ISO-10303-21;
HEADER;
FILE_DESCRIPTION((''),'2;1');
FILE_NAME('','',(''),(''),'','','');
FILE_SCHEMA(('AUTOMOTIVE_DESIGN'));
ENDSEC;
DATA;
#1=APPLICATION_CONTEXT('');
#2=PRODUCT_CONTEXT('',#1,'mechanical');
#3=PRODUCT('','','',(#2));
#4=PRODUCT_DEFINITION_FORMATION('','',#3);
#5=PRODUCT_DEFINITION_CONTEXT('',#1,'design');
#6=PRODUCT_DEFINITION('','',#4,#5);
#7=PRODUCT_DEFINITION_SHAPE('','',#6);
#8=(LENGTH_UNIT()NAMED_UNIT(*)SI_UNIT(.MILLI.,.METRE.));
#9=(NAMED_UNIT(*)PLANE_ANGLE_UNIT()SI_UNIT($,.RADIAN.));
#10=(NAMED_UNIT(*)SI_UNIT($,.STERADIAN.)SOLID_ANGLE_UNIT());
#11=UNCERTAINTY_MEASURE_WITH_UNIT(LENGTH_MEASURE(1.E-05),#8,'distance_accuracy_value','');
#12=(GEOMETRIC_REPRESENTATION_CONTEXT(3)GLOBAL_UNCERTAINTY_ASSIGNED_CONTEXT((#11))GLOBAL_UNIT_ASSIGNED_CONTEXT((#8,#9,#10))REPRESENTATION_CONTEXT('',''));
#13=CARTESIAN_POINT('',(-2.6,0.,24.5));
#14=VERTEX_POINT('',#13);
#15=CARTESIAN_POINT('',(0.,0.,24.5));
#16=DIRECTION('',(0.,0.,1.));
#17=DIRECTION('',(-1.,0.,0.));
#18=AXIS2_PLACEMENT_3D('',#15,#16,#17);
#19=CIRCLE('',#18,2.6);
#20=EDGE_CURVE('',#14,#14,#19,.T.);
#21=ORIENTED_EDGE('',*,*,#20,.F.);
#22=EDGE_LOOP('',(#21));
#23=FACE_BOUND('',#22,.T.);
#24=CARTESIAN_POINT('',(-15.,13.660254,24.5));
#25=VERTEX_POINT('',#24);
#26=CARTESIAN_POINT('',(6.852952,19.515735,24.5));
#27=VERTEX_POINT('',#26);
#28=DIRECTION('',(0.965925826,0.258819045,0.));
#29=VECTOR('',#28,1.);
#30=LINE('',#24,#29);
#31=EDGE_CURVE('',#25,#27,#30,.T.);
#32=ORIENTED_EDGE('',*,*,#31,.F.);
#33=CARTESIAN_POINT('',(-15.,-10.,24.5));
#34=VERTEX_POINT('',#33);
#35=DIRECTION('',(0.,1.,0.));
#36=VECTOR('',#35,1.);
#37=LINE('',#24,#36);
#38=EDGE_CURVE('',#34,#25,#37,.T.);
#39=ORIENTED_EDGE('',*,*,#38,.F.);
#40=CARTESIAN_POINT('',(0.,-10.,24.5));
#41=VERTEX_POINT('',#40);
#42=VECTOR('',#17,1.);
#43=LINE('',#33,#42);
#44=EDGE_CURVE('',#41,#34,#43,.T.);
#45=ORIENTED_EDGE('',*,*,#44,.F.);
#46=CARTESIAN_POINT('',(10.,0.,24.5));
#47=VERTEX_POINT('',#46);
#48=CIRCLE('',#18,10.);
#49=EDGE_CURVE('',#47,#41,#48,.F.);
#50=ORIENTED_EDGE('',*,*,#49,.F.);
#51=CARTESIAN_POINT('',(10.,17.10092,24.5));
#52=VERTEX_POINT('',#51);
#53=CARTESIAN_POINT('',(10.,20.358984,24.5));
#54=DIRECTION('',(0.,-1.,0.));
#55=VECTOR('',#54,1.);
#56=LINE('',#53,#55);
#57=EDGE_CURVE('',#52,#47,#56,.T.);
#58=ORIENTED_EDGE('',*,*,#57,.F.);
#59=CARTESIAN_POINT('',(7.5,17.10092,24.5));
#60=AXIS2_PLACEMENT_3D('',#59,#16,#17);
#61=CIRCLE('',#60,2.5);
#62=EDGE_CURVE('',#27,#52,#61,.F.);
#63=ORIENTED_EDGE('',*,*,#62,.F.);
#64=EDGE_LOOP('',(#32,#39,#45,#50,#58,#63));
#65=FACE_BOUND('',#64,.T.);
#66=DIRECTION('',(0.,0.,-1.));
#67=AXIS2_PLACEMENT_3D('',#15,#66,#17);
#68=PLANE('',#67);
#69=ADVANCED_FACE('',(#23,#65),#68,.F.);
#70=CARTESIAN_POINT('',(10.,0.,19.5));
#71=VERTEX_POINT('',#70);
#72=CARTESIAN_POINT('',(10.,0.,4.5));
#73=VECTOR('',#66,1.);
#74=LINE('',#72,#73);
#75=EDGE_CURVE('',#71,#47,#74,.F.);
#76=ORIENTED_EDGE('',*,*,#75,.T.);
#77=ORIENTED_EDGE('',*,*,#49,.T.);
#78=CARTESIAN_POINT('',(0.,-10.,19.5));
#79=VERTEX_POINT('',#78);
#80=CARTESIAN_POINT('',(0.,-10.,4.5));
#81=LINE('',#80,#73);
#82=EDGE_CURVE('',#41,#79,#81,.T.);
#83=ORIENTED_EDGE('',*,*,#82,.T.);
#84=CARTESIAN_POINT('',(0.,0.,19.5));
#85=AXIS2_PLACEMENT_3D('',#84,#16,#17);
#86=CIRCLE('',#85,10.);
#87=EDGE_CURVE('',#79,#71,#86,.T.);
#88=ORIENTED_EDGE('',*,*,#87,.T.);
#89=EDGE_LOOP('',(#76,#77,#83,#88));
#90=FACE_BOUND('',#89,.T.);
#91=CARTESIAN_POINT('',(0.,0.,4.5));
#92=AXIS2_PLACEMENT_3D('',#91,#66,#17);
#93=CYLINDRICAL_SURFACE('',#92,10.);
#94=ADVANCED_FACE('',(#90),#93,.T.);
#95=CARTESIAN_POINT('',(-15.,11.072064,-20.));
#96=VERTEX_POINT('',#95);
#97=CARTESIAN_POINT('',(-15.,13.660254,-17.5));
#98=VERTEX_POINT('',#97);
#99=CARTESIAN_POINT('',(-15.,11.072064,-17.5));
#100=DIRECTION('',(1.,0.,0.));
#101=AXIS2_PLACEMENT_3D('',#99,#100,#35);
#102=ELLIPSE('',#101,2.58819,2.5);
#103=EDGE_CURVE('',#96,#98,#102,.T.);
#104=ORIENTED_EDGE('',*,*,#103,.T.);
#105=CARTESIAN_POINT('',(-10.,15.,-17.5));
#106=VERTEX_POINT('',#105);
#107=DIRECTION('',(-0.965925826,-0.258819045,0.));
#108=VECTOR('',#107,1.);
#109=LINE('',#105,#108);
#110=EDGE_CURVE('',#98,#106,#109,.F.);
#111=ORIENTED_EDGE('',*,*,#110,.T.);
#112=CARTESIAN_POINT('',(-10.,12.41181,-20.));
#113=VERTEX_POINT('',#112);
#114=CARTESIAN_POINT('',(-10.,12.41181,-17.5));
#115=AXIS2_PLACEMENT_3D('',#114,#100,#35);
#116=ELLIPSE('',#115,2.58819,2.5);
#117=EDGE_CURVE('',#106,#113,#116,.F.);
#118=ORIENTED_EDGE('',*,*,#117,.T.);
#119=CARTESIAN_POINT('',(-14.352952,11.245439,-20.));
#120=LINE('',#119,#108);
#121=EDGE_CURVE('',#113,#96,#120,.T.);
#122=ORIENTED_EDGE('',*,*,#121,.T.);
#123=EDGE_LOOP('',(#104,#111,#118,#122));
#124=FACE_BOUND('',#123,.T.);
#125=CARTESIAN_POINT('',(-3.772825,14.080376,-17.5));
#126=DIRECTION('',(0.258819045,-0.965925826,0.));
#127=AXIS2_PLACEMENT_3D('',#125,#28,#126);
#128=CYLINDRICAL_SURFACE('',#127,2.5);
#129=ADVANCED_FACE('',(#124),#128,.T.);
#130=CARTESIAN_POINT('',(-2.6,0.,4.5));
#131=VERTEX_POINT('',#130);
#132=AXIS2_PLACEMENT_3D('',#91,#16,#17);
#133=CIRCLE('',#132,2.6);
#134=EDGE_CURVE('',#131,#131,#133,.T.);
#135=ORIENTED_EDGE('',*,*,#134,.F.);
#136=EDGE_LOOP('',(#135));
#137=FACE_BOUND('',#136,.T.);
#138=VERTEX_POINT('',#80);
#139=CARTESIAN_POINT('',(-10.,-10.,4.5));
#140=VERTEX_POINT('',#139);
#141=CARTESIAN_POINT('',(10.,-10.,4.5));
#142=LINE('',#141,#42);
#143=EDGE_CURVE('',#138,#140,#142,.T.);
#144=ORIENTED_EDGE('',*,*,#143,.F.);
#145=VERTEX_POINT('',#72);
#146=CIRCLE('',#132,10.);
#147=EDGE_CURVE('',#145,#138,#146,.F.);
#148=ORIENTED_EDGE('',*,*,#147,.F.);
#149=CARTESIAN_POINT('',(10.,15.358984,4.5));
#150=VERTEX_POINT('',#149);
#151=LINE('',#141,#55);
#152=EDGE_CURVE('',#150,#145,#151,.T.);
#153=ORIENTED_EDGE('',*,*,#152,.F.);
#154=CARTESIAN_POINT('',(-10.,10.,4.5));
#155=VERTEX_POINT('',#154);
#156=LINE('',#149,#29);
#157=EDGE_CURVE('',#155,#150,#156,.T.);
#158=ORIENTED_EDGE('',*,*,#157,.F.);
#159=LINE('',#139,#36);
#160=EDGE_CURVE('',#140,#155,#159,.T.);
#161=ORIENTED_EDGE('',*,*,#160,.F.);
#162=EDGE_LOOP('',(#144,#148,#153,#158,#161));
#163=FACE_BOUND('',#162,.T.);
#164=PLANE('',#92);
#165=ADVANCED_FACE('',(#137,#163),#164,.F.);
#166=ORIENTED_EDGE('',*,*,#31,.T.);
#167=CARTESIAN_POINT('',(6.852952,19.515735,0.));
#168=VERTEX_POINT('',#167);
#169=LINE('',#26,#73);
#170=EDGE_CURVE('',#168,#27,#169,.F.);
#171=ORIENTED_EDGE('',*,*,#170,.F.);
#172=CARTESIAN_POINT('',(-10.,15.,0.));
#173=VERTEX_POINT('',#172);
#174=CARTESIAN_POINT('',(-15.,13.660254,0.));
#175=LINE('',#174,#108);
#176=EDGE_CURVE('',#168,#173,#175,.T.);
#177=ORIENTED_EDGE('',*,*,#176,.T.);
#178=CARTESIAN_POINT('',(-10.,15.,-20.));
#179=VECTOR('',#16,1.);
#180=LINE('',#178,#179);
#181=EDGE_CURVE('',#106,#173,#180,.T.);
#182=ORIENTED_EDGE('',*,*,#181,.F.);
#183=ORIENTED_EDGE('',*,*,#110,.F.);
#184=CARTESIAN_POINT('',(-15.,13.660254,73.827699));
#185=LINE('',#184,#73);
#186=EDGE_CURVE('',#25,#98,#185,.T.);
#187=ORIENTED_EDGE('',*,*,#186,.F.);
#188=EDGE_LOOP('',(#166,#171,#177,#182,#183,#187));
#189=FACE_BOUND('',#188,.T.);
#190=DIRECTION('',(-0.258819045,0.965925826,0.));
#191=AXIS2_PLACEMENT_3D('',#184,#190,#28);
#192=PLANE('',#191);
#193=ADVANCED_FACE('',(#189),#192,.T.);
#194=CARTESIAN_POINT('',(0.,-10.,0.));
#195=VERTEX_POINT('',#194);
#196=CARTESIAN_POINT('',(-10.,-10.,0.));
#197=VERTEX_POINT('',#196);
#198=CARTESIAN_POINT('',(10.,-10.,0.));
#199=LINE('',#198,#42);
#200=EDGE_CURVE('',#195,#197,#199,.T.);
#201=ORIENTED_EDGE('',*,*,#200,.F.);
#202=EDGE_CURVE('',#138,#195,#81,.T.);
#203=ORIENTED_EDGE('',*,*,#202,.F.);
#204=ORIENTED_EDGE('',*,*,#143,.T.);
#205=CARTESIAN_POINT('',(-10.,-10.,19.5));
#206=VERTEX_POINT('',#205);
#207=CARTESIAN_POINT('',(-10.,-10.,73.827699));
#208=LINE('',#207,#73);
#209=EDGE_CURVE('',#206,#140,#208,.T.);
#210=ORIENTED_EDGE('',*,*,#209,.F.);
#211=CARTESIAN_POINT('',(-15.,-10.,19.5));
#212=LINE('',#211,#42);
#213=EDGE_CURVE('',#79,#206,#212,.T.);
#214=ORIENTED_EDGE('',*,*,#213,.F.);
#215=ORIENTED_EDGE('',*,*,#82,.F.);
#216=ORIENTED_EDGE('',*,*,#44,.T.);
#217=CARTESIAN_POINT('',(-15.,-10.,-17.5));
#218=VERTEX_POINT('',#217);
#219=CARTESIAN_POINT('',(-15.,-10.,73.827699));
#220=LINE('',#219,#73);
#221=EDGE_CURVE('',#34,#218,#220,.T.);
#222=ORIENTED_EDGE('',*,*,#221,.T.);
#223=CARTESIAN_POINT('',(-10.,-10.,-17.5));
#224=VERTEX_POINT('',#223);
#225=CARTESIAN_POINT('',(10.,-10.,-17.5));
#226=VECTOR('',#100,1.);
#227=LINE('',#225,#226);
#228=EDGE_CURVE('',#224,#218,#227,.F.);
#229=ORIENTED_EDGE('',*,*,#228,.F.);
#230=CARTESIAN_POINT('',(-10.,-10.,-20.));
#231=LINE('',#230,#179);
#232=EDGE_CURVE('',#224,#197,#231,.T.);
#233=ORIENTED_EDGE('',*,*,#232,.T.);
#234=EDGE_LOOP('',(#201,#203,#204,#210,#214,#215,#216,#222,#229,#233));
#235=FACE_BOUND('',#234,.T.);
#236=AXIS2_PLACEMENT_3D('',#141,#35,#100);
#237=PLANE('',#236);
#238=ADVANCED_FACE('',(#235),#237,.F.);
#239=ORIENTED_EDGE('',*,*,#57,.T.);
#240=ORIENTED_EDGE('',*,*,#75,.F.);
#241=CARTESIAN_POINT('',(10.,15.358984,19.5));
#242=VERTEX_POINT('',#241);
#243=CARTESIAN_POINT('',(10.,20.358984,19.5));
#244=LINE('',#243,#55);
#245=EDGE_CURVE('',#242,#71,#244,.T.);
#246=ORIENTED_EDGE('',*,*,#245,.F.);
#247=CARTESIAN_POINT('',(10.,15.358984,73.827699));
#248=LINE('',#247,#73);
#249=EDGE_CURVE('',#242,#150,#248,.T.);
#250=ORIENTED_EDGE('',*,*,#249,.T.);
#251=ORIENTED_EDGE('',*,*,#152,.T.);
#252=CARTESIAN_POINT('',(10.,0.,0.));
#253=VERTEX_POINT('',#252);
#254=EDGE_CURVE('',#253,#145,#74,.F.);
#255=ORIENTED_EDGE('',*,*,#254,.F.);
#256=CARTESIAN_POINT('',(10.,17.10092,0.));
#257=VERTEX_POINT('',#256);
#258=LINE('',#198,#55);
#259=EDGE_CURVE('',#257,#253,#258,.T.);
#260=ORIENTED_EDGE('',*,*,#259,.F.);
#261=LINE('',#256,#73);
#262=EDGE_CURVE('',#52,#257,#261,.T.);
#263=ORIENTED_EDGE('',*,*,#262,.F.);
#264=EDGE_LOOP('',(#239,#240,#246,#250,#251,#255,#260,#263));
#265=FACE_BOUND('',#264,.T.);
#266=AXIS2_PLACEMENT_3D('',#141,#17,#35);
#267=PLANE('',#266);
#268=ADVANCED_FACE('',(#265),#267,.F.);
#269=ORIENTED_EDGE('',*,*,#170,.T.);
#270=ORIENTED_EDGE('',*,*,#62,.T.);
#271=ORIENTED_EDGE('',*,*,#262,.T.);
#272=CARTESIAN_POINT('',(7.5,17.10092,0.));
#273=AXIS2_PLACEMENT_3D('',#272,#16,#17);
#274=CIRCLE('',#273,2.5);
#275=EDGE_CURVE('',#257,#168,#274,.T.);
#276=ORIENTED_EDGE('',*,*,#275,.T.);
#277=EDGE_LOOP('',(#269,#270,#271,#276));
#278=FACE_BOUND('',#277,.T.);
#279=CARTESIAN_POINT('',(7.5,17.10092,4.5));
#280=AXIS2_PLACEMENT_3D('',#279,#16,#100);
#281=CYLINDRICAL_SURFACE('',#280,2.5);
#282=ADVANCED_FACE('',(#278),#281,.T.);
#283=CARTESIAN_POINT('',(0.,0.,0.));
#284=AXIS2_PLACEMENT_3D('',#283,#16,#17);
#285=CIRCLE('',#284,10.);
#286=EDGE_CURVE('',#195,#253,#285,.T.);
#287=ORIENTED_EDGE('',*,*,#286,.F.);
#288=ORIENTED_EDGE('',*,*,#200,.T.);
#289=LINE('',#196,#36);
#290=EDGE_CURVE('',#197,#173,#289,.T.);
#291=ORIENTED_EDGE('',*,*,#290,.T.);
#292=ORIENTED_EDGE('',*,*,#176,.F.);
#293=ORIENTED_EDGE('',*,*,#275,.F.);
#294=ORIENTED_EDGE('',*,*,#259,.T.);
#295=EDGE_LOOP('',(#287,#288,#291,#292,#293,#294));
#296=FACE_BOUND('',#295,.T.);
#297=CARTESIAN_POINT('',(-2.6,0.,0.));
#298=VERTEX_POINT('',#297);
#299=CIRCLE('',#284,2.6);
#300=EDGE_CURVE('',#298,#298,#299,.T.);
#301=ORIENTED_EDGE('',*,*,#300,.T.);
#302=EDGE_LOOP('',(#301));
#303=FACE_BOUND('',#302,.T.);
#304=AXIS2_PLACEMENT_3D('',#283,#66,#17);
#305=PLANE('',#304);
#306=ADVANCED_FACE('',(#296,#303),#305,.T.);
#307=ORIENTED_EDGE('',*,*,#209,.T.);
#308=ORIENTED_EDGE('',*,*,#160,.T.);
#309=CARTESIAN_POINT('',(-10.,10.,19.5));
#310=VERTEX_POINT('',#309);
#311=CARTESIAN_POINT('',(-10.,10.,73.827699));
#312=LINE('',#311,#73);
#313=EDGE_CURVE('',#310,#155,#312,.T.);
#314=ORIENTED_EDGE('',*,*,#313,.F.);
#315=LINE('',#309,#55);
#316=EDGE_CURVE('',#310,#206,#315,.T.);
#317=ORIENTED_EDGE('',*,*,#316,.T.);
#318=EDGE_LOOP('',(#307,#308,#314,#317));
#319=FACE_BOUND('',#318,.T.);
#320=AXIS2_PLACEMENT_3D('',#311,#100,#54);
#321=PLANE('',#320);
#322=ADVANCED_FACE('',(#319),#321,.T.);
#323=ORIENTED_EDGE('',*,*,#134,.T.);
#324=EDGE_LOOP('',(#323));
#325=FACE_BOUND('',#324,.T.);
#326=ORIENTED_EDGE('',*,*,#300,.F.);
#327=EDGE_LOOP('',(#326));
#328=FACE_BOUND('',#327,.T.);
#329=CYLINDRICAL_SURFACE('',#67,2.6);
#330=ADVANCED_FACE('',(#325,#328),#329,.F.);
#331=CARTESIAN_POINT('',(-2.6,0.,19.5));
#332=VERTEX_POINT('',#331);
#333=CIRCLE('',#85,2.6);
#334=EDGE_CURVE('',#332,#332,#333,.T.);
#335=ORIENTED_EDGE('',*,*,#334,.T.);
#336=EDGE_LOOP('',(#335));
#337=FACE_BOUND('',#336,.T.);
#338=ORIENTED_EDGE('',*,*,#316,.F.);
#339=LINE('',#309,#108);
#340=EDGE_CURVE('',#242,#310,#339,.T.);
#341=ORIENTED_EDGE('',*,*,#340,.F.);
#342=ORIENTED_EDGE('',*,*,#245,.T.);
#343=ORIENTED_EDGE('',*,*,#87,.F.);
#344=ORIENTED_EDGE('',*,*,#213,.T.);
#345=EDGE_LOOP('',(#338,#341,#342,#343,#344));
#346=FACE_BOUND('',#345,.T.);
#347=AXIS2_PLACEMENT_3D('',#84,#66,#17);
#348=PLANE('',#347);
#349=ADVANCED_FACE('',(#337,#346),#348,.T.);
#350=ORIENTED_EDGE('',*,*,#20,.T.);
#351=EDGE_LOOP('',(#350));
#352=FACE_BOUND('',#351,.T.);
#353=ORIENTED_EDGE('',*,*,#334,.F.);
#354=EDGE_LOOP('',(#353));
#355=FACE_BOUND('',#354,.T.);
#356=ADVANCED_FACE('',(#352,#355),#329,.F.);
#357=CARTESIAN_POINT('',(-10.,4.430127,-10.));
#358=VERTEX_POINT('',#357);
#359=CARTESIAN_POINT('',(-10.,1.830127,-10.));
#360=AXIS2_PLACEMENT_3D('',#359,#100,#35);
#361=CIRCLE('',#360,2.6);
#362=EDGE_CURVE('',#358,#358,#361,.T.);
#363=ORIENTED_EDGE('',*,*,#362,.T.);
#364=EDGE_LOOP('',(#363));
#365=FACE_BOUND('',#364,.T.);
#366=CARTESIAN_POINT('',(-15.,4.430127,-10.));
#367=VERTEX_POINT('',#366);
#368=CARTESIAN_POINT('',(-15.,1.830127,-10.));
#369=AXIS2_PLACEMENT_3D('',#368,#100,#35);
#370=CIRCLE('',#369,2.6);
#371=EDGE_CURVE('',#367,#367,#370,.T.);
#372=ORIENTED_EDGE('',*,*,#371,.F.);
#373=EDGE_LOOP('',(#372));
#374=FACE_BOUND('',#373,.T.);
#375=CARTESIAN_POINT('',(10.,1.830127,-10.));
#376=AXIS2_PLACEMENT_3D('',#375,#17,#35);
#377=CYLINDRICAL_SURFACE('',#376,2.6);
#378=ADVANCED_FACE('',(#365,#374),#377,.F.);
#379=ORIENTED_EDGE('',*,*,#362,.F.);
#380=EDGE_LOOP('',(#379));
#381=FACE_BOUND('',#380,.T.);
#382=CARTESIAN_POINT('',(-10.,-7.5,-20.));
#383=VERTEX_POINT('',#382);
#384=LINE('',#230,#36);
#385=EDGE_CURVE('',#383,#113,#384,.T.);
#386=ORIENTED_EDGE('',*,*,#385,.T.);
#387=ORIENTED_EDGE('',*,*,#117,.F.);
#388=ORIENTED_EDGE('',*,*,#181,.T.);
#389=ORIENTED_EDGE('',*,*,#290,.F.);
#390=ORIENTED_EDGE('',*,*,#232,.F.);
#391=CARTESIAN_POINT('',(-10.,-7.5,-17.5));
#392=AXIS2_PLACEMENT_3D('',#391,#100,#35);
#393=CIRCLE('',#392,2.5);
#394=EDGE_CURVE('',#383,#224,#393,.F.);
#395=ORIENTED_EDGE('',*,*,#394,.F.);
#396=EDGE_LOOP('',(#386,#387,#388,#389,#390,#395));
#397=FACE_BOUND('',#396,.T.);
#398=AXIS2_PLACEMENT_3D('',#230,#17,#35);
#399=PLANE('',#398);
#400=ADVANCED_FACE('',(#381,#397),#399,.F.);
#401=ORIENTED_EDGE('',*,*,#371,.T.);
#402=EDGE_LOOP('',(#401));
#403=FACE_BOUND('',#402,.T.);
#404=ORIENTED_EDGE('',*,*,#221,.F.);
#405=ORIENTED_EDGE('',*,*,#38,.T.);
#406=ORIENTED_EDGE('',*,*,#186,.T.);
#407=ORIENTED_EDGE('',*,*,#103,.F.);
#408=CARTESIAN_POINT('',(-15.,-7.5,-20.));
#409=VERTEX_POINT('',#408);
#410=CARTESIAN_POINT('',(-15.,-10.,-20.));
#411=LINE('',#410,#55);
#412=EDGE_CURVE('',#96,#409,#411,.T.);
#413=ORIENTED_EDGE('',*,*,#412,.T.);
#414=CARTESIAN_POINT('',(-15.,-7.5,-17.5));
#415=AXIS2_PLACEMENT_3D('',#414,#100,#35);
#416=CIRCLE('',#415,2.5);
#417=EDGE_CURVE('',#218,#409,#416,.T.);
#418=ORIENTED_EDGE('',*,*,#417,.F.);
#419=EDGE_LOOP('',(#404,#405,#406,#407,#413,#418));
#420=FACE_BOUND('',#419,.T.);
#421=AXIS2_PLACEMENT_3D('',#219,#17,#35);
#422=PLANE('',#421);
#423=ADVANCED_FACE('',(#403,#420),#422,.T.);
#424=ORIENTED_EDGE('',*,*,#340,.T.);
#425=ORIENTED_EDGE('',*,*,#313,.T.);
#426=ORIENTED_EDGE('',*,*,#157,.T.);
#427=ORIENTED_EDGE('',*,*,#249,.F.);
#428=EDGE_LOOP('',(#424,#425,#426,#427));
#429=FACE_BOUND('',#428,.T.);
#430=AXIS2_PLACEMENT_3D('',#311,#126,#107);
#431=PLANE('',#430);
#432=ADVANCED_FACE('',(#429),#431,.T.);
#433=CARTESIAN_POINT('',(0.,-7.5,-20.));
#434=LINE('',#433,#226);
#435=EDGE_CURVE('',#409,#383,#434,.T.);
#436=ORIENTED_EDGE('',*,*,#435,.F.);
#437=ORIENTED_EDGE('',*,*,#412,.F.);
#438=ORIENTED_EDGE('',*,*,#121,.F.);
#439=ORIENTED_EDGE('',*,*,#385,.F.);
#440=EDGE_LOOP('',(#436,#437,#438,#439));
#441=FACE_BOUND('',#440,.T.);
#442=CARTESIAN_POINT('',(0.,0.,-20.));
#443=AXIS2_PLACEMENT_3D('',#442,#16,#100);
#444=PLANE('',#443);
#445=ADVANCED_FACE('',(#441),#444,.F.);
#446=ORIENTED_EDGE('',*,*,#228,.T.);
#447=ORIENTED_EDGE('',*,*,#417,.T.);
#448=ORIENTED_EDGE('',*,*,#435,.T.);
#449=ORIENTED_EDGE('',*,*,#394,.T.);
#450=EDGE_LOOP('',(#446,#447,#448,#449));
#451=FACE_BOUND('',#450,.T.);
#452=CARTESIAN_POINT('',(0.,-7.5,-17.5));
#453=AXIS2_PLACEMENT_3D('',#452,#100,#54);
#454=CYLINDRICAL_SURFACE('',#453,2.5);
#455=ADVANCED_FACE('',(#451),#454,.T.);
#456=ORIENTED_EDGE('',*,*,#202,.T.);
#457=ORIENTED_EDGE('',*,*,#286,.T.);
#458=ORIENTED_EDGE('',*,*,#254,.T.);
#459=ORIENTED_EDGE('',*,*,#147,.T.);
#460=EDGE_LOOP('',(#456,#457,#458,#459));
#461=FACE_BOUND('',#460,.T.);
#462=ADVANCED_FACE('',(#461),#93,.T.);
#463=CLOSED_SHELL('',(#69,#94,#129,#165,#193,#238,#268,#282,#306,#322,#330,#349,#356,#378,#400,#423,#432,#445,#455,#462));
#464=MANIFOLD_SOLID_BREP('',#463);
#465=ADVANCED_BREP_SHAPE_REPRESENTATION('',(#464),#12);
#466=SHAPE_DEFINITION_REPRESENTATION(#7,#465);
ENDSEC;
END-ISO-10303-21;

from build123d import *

# Parameters (mm, degrees)
EXTRUDE_1_DEPTH     = 4.5
EXTRUDE_5_DEPTH     = 19.5
EXTRUDE_6_DEPTH     = 20
EXTRUDE_7_DEPTH     = 5
SKETCH_6_R          = 2.6
CUT_EXTRUDE_1_DEPTH = 36.209916548
SKETCH_13_R         = 2.6
CUT_EXTRUDE_2_DEPTH = 41.493681277
FILLET_1_R          = 2.5
FILLET_2_R          = 10


with BuildPart() as part:
    # Эскиз1 → Бобышка-Вытянуть1 (new body)
    with BuildSketch(Plane.XY):
        Polygon((10, 10), (-10, 10), (-10, -10), (10, -15.358983849), align=None)
    extrude(amount=EXTRUDE_1_DEPTH)

    # Эскиз10 → Бобышка-Вытянуть5 (add)
    with BuildSketch(Plane(origin=(0, 0, 0), x_dir=(-1, 0, 0), z_dir=(0, 0, -1))):
        Polygon((15, 10), (15, -13.660254038), (-10, -20.358983849), (-10, -15.358983849), (10, -10), (10, 10), align=None)
    extrude(amount=-EXTRUDE_5_DEPTH)

    # Эскиз11 → Бобышка-Вытянуть6 (add)
    with BuildSketch(Plane(origin=(0, 0, 0), x_dir=(-1, 0, 0), z_dir=(0, 0, -1))):
        Polygon((15, 10), (10, 10), (10, -15), (15, -13.660254038), align=None)
    extrude(amount=EXTRUDE_6_DEPTH)

    # Эскиз12 → Бобышка-Вытянуть7 (add)
    with BuildSketch(Plane.XY.offset(19.5)):
        Polygon((-15, -13.660254038), (10, -20.358983849), (10, 10), (-15, 10), align=None)
    extrude(amount=EXTRUDE_7_DEPTH)

    # Эскиз6 → Вырез-Вытянуть1 (cut, through all)
    with BuildSketch(Plane(origin=(0, 0, 0), x_dir=(-1, 0, 0), z_dir=(0, 0, -1))):
        Circle(SKETCH_6_R)
    extrude(amount=-CUT_EXTRUDE_1_DEPTH, mode=Mode.SUBTRACT)

    # Эскиз13 → Вырез-Вытянуть2 (cut, through all)
    with BuildSketch(Plane.ZY.offset(15)):
        with Locations(Location((-10, -1.830127019, 0), (0, 0, 270))):
            Circle(SKETCH_13_R)
    extrude(amount=-CUT_EXTRUDE_2_DEPTH, mode=Mode.SUBTRACT)

    # Скругление1
    fillet_1_edges = [part.edges().sort_by_distance(p)[0] for p in [
        (10, -20.358983849, 12.25),
        (-12.5, 10, -20),
        (-12.5, -14.330127019, -20),
    ]]
    fillet(fillet_1_edges, radius=FILLET_1_R)

    # Скругление2
    fillet_2_edges = [part.edges().sort_by_distance(p)[0] for p in [
        (10, 10, 22),
        (10, 10, 2.25),
    ]]
    fillet(fillet_2_edges, radius=FILLET_2_R)


with BuildPart() as body_2:
    # Зеркальное отражение1: mirrored copy
    add(part.part.mirror(Plane.ZX))


solid = body_2.part
